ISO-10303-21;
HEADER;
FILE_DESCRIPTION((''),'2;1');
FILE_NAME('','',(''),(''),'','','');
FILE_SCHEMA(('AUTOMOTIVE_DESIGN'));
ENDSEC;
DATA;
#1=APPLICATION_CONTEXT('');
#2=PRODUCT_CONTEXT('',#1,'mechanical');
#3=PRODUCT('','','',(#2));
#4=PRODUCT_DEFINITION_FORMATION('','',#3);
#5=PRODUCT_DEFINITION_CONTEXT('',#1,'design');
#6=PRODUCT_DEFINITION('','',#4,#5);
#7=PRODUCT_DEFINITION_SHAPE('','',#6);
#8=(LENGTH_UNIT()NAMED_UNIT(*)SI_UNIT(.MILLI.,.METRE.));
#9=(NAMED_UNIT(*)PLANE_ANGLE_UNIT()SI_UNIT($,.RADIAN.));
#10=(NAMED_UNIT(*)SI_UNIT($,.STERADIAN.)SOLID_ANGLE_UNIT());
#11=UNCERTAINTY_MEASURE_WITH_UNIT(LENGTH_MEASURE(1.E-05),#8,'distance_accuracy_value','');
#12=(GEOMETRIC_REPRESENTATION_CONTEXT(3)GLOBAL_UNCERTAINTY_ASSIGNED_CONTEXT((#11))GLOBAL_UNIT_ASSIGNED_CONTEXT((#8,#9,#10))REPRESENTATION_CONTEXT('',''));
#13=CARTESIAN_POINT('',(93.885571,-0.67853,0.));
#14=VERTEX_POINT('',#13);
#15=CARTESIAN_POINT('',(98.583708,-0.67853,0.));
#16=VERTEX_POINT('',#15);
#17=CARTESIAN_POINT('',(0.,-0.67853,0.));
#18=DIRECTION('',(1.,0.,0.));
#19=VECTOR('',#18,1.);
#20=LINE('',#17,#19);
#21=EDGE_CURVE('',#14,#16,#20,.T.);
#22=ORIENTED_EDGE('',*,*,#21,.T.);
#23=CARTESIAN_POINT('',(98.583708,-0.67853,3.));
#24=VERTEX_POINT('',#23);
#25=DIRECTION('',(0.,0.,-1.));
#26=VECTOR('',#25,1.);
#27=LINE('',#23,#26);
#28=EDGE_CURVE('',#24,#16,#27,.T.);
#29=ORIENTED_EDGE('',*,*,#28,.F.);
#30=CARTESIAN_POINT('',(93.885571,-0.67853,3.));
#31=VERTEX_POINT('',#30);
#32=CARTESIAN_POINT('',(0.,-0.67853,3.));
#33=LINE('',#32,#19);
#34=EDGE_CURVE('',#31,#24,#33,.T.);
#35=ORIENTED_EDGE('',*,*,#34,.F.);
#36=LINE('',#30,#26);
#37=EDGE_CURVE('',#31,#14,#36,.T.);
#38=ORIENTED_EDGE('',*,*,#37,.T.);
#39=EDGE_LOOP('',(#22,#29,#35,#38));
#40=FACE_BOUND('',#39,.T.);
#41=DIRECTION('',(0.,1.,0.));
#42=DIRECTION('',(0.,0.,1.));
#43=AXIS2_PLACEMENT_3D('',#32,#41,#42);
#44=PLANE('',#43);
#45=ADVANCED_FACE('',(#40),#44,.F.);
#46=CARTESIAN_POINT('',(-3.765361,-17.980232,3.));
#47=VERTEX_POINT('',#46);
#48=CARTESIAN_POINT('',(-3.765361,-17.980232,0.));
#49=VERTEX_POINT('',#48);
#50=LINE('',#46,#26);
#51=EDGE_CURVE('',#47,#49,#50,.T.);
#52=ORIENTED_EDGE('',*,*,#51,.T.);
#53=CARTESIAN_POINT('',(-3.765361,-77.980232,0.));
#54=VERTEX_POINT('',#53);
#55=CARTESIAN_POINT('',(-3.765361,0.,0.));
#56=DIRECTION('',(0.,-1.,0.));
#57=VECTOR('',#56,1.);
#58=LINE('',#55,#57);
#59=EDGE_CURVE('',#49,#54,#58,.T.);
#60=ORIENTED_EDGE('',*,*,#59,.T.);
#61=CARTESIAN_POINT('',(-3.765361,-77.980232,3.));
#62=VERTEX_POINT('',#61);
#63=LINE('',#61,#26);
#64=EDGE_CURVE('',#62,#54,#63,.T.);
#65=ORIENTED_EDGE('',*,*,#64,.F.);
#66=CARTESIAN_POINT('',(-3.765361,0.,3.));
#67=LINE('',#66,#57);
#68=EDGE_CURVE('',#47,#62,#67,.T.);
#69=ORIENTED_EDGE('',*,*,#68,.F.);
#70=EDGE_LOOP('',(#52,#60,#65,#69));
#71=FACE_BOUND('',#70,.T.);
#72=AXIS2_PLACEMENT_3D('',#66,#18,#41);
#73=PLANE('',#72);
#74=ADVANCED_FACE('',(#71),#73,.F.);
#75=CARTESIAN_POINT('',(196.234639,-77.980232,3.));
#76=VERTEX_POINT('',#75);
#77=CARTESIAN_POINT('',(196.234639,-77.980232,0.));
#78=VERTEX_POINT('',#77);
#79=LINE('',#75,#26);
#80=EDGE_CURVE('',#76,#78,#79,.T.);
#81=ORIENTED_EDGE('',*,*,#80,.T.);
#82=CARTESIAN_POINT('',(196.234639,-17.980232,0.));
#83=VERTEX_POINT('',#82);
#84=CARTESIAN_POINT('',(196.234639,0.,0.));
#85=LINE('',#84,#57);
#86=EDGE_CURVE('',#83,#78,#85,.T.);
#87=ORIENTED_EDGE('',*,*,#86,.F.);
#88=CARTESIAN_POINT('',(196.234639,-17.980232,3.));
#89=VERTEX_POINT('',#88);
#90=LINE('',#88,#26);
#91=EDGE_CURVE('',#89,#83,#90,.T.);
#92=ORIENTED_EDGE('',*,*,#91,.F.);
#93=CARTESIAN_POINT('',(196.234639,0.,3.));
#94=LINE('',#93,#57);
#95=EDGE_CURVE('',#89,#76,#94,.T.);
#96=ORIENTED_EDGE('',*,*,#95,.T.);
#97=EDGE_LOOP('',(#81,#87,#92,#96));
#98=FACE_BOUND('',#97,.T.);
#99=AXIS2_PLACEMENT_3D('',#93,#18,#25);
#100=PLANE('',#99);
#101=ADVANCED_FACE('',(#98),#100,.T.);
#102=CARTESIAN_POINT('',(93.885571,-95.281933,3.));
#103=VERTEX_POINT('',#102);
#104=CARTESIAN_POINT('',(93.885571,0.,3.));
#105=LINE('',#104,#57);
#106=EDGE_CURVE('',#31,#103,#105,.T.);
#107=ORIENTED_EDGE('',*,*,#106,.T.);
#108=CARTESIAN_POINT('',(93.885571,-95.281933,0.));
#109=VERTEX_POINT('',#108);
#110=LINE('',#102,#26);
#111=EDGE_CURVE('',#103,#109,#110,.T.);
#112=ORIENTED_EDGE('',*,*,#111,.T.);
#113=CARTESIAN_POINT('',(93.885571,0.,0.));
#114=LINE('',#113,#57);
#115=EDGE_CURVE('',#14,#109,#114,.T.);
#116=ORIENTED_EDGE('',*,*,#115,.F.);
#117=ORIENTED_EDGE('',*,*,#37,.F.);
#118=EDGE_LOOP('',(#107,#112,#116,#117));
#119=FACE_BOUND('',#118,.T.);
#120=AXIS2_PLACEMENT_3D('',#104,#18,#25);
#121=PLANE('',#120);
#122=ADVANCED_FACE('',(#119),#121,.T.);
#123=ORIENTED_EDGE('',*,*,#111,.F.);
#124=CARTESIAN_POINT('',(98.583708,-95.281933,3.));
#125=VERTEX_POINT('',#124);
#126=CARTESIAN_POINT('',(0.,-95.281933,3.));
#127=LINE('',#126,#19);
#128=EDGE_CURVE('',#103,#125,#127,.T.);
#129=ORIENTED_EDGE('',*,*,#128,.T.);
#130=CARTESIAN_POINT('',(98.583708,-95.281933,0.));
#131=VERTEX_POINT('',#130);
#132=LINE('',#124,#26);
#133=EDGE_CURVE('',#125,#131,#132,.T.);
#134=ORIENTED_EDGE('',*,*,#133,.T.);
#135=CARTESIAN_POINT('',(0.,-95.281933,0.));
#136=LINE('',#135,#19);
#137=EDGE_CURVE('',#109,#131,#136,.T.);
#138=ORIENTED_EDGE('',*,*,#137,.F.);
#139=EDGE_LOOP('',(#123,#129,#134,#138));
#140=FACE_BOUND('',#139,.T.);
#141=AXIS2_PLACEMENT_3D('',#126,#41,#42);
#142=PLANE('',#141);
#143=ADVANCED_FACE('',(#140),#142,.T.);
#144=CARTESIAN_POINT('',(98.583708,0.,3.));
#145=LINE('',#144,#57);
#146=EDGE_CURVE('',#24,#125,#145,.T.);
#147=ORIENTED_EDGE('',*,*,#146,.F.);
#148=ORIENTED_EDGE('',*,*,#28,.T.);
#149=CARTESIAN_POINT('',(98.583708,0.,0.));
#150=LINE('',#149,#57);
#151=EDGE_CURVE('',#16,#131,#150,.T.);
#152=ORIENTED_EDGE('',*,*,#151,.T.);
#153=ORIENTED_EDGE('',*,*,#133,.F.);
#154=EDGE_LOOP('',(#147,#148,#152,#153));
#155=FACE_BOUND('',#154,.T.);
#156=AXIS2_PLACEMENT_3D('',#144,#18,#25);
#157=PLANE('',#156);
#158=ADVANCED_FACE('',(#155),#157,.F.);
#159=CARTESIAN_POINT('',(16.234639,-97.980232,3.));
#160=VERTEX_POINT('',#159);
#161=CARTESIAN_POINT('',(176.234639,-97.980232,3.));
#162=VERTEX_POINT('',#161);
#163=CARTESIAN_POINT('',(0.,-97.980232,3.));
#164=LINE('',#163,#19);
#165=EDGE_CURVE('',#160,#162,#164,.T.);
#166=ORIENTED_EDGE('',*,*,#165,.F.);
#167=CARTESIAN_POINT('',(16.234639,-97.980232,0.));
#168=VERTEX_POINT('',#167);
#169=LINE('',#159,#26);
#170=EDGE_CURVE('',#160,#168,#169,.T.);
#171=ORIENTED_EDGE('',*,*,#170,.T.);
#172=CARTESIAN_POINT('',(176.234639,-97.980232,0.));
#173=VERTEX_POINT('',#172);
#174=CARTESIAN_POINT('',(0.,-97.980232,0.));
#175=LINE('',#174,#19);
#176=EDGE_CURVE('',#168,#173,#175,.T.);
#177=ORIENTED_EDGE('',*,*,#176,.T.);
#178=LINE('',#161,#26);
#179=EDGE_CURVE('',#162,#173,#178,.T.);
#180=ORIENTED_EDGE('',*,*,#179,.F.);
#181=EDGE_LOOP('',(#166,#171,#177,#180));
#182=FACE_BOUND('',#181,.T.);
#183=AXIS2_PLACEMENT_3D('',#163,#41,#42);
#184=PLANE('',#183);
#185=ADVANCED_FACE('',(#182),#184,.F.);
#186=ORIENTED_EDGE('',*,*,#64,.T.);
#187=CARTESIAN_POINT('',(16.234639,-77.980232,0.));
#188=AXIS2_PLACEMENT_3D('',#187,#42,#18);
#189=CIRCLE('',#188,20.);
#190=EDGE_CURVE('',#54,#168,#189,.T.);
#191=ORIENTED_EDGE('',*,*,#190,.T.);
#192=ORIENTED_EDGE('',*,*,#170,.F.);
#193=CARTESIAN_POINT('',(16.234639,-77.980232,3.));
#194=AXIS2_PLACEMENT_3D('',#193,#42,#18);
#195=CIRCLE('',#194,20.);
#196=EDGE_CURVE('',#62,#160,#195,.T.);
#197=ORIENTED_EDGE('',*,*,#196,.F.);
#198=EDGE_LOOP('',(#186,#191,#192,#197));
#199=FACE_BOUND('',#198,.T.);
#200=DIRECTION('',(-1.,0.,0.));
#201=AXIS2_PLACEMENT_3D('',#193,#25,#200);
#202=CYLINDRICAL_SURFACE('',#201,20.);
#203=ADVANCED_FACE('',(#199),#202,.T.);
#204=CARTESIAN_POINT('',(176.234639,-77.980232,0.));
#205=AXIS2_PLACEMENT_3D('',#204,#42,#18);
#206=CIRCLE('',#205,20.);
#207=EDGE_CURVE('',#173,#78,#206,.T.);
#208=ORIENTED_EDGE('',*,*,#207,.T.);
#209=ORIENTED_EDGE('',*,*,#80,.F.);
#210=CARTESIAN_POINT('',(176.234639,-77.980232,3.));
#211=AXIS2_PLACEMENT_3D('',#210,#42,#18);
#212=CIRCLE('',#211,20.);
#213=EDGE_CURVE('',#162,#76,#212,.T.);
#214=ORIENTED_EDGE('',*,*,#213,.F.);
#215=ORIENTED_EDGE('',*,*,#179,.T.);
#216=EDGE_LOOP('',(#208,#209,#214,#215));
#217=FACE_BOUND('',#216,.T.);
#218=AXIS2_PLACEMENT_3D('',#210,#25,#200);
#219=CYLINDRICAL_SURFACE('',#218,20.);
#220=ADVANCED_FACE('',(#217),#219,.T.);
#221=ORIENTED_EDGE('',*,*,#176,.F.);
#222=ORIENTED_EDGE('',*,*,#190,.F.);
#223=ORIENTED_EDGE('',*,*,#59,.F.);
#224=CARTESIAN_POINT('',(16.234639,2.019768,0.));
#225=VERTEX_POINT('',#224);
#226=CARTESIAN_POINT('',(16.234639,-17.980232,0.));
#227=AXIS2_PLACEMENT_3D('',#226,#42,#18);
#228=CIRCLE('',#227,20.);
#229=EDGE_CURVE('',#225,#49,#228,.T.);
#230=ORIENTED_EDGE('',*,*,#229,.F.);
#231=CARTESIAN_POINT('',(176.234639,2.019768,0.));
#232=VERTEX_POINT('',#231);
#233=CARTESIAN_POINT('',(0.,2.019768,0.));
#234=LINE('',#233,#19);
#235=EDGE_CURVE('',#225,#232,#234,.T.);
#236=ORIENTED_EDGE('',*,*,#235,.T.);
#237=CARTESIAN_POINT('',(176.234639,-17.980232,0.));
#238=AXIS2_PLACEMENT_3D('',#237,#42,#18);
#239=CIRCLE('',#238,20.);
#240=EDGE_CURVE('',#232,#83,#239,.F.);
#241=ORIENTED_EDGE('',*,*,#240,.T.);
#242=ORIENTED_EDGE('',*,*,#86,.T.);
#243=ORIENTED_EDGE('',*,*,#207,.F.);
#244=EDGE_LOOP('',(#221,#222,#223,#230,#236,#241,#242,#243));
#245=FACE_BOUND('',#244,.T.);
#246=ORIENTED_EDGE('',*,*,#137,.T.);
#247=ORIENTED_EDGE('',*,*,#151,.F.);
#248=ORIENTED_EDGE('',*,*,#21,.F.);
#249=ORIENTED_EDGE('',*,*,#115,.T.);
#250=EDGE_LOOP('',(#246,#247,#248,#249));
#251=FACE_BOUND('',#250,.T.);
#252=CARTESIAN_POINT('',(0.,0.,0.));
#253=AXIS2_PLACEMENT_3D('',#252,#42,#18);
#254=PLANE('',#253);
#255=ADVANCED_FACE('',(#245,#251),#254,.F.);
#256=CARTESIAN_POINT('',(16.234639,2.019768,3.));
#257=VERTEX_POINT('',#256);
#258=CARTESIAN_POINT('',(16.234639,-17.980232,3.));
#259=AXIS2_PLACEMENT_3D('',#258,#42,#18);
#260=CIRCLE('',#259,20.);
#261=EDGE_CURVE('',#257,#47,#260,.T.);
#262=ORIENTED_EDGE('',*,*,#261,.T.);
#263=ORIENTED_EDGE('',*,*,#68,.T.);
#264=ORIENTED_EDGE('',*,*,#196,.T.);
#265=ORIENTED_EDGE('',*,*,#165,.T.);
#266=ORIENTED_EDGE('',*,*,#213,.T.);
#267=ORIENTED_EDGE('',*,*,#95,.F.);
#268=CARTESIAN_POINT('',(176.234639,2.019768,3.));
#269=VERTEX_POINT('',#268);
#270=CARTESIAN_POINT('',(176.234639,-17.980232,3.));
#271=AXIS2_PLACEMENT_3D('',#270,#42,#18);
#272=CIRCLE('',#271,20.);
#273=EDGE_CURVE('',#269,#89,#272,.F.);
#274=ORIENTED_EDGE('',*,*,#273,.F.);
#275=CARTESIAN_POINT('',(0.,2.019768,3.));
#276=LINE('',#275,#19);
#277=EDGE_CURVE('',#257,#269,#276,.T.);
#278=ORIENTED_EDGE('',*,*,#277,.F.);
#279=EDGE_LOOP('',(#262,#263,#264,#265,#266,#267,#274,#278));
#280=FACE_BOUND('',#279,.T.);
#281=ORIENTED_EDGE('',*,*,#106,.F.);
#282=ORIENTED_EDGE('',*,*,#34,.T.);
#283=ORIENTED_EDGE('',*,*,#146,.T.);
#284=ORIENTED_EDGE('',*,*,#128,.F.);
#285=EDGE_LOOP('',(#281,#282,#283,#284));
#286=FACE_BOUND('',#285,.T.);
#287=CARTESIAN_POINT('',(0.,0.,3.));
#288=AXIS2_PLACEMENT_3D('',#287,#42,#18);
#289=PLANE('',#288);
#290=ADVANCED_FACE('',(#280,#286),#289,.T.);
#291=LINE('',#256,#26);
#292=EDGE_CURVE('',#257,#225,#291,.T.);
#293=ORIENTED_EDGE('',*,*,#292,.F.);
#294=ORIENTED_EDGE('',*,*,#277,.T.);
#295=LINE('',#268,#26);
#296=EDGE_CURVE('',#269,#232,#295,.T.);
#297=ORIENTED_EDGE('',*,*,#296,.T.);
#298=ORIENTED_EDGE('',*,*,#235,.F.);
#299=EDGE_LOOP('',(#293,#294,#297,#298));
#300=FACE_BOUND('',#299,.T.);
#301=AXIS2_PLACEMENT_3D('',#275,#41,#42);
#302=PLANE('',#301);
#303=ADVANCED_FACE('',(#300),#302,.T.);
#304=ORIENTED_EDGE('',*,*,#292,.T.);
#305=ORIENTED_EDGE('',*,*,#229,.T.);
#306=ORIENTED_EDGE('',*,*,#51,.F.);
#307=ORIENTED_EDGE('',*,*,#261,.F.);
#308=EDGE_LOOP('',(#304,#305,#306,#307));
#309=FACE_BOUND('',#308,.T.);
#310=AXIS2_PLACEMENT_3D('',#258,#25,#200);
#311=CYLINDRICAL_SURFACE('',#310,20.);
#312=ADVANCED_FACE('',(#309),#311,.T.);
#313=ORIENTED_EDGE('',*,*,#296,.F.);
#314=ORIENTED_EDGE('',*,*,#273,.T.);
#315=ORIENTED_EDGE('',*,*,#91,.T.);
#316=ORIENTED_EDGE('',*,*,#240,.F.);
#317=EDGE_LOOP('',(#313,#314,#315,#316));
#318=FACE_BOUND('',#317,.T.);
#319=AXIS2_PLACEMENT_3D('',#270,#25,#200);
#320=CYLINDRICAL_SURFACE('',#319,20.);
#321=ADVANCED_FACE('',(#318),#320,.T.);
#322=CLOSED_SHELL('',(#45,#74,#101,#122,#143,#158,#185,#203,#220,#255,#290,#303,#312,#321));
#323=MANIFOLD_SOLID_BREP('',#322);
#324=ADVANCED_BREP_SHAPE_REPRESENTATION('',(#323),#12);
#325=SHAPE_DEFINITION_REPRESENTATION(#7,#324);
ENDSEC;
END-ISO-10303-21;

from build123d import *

# Parameters (mm, degrees)
SKETCH2_W           = 4.698137425
SKETCH2_H           = 94.603403599
BOSS_EXTRUDE2_DEPTH = 3


with BuildPart() as part:
    # Sketch2 → Boss-Extrude2 (new body)
    with BuildSketch(Plane.XY):
        with BuildLine():
            Line((16.234639487, 2.019768487), (176.234639487, 2.019768487))
            ThreePointArc((176.234639487, 2.019768487), (190.376775111, -3.838095889), (196.234639487, -17.980231513))
            Line((196.234639487, -17.980231513), (196.234639487, -77.980231513))
            ThreePointArc((196.234639487, -77.980231513), (190.376775111, -92.122367137), (176.234639487, -97.980231513))
            Line((176.234639487, -97.980231513), (16.234639487, -97.980231513))
            ThreePointArc((16.234639487, -97.980231513), (2.092503864, -92.122367137), (-3.765360513, -77.980231513))
            Line((-3.765360513, -77.980231513), (-3.765360513, -17.980231513))
            ThreePointArc((-3.765360513, -17.980231513), (2.092503864, -3.838095889), (16.234639487, 2.019768487))
        make_face()
        with Locations((96.234639488, -47.980231514)):
            Rectangle(SKETCH2_W, SKETCH2_H, mode=Mode.SUBTRACT)
    extrude(amount=BOSS_EXTRUDE2_DEPTH)


solid = part.part
